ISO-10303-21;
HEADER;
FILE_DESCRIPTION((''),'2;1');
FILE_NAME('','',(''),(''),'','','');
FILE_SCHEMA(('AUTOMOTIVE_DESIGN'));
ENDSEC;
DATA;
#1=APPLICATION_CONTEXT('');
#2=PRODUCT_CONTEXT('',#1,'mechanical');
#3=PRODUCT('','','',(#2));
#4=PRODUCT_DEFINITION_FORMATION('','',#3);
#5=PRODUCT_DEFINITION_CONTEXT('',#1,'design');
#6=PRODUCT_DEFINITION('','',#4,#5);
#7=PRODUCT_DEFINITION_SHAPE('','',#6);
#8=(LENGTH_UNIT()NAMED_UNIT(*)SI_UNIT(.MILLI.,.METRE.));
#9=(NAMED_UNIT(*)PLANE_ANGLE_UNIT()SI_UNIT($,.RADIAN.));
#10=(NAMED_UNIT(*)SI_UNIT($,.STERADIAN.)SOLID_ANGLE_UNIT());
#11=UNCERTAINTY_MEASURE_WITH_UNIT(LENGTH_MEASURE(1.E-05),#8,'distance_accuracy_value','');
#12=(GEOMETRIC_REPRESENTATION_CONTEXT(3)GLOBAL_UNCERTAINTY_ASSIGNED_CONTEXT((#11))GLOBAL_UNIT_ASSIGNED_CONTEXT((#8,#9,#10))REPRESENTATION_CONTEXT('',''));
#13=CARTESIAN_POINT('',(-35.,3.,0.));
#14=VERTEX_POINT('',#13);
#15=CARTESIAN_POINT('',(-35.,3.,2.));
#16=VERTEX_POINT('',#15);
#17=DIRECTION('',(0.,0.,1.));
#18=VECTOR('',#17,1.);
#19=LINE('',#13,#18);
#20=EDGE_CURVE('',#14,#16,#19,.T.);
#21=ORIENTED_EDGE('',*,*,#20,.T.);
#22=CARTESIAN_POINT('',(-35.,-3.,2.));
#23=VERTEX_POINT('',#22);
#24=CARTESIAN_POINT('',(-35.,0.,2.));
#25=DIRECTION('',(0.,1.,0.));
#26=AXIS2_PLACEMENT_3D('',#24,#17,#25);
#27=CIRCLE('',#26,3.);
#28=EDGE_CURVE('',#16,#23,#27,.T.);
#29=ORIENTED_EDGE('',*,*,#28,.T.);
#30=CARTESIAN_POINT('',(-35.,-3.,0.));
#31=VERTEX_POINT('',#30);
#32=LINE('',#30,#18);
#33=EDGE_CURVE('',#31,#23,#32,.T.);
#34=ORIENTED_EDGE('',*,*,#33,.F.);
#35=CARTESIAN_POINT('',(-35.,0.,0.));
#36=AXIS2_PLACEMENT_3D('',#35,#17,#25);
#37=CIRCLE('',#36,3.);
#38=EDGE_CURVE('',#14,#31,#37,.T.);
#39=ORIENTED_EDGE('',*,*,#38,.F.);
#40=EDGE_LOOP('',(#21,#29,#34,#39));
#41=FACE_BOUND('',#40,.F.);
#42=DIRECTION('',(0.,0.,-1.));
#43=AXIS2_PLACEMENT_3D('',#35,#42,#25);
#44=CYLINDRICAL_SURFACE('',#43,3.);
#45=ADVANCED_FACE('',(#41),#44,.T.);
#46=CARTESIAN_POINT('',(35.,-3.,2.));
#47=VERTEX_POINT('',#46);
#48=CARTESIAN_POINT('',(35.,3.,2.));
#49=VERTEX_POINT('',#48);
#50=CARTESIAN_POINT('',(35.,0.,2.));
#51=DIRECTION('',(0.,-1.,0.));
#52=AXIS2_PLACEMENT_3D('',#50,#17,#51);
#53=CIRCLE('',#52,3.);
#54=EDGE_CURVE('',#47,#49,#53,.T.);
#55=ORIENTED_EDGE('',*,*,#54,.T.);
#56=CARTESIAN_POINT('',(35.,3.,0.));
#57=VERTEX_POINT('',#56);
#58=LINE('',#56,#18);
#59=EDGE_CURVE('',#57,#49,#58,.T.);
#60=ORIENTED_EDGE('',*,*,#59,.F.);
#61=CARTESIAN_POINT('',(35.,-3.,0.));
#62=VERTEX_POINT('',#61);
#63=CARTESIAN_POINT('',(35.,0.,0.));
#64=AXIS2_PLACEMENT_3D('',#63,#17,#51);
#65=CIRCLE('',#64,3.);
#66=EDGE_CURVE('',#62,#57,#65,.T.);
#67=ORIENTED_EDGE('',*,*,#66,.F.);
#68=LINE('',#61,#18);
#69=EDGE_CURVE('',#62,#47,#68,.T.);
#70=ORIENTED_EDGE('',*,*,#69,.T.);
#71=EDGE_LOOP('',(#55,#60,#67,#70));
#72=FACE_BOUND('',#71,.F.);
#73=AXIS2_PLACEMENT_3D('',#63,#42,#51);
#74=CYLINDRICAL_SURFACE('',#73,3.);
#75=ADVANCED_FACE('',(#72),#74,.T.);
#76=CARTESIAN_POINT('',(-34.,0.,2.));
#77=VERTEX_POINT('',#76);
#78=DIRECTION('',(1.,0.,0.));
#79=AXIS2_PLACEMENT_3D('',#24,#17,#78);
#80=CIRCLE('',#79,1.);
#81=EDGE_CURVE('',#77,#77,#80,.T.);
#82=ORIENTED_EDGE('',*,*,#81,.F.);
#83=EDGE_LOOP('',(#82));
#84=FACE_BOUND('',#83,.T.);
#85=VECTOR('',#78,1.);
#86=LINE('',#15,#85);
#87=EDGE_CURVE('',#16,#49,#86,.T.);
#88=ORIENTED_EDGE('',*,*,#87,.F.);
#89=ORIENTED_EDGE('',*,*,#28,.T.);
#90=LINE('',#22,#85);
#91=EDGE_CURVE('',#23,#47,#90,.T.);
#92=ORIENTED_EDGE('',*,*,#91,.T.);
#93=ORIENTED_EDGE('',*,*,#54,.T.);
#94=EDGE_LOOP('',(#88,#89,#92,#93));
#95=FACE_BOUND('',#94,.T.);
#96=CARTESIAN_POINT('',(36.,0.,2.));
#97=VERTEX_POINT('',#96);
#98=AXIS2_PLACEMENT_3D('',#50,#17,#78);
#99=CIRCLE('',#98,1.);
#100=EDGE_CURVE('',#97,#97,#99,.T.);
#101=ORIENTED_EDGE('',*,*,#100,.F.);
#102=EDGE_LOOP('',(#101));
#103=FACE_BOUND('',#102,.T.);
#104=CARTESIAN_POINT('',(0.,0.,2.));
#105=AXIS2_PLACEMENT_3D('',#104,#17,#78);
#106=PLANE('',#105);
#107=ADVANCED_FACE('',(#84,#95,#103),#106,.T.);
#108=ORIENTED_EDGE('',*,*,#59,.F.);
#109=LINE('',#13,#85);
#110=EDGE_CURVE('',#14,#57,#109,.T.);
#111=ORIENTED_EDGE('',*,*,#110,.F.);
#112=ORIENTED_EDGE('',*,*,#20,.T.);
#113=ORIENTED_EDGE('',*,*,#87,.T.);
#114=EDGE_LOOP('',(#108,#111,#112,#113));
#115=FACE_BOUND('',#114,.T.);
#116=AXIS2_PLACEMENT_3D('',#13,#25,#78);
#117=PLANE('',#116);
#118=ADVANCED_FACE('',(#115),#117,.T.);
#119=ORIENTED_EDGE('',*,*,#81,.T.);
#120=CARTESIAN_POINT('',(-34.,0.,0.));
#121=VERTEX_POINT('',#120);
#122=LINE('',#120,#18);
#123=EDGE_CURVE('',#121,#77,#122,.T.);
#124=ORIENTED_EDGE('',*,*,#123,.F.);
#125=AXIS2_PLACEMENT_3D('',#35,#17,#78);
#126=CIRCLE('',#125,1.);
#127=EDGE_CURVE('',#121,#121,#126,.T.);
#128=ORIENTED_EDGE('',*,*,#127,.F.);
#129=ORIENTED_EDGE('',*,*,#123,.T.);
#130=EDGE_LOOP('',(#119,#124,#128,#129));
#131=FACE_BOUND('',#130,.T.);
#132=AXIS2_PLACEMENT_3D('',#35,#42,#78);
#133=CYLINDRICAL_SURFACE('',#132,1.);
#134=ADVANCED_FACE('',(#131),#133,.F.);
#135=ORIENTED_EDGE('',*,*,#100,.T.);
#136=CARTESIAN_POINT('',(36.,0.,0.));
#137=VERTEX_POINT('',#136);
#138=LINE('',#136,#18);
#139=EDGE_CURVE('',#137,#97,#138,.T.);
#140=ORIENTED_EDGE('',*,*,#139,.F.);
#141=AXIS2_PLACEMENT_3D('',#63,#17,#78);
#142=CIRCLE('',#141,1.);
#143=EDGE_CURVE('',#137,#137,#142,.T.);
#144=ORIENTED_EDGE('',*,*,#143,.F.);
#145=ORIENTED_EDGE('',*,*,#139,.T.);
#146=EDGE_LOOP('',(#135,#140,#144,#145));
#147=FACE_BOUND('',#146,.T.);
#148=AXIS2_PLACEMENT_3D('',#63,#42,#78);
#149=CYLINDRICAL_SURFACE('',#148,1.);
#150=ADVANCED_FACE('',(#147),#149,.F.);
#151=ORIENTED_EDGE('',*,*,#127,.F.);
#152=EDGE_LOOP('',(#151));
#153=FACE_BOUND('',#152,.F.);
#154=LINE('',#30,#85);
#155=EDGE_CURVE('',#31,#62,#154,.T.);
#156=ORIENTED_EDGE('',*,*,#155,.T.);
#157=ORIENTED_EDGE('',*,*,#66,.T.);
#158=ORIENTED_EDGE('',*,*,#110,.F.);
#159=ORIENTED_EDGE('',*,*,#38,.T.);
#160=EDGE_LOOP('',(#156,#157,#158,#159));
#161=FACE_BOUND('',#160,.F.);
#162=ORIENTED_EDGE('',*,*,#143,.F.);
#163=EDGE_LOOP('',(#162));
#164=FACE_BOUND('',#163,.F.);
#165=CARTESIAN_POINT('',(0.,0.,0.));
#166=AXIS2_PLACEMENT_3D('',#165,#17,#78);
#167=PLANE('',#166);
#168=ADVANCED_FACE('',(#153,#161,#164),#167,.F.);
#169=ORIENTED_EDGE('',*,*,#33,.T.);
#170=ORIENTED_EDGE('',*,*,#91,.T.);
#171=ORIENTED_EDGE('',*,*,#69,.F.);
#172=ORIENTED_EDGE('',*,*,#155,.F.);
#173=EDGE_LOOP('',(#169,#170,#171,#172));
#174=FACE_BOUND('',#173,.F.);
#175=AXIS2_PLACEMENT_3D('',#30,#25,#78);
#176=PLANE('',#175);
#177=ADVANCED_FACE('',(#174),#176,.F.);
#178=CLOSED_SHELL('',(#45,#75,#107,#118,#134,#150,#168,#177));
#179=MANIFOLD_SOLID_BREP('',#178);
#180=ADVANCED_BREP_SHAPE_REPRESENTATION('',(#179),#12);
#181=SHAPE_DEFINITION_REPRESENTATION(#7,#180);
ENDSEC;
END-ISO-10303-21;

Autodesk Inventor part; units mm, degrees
ref_plane "YZ Plane" through (0, 0, 0) normal (1, 0, 0) x (0, 1, 0)
ref_plane "XZ Plane" through (0, 0, 0) normal (0, 1, 0) x (-1, 0, 0)
ref_plane "XY Plane" through (0, 0, 0) normal (0, 0, 1) x (1, 0, 0)
sketch "Sketch1" plane through (0, 0, 0) normal (0, 0, 1) x (1, 0, 0)
  circle A0 centre (-35, 0) radius 1
  circle A1 centre (35, 0) radius 1
  line L0 (-35, 0) -> (0, 0) construction
  line L1 (0, 0) -> (35, 0) construction
  line L2 (-35, 3) -> (35, 3)
  line L3 (-35, -3) -> (35, -3)
  line L4 (0, 3) -> (0, -3) construction
  arc A2 (-35, 3) -> (-35, -3) centre (-35, 0) ccw
  arc A3 (35, -3) -> (35, 3) centre (35, 0) ccw
  point P0 (-35, -1)
  dimension "d0" = 2
  dimension "d1" = 2
  dimension "d2" = 35
extrude "Extrusion1" add sketch "Sketch1" along normal blind 2
properties part number "LongLink"
